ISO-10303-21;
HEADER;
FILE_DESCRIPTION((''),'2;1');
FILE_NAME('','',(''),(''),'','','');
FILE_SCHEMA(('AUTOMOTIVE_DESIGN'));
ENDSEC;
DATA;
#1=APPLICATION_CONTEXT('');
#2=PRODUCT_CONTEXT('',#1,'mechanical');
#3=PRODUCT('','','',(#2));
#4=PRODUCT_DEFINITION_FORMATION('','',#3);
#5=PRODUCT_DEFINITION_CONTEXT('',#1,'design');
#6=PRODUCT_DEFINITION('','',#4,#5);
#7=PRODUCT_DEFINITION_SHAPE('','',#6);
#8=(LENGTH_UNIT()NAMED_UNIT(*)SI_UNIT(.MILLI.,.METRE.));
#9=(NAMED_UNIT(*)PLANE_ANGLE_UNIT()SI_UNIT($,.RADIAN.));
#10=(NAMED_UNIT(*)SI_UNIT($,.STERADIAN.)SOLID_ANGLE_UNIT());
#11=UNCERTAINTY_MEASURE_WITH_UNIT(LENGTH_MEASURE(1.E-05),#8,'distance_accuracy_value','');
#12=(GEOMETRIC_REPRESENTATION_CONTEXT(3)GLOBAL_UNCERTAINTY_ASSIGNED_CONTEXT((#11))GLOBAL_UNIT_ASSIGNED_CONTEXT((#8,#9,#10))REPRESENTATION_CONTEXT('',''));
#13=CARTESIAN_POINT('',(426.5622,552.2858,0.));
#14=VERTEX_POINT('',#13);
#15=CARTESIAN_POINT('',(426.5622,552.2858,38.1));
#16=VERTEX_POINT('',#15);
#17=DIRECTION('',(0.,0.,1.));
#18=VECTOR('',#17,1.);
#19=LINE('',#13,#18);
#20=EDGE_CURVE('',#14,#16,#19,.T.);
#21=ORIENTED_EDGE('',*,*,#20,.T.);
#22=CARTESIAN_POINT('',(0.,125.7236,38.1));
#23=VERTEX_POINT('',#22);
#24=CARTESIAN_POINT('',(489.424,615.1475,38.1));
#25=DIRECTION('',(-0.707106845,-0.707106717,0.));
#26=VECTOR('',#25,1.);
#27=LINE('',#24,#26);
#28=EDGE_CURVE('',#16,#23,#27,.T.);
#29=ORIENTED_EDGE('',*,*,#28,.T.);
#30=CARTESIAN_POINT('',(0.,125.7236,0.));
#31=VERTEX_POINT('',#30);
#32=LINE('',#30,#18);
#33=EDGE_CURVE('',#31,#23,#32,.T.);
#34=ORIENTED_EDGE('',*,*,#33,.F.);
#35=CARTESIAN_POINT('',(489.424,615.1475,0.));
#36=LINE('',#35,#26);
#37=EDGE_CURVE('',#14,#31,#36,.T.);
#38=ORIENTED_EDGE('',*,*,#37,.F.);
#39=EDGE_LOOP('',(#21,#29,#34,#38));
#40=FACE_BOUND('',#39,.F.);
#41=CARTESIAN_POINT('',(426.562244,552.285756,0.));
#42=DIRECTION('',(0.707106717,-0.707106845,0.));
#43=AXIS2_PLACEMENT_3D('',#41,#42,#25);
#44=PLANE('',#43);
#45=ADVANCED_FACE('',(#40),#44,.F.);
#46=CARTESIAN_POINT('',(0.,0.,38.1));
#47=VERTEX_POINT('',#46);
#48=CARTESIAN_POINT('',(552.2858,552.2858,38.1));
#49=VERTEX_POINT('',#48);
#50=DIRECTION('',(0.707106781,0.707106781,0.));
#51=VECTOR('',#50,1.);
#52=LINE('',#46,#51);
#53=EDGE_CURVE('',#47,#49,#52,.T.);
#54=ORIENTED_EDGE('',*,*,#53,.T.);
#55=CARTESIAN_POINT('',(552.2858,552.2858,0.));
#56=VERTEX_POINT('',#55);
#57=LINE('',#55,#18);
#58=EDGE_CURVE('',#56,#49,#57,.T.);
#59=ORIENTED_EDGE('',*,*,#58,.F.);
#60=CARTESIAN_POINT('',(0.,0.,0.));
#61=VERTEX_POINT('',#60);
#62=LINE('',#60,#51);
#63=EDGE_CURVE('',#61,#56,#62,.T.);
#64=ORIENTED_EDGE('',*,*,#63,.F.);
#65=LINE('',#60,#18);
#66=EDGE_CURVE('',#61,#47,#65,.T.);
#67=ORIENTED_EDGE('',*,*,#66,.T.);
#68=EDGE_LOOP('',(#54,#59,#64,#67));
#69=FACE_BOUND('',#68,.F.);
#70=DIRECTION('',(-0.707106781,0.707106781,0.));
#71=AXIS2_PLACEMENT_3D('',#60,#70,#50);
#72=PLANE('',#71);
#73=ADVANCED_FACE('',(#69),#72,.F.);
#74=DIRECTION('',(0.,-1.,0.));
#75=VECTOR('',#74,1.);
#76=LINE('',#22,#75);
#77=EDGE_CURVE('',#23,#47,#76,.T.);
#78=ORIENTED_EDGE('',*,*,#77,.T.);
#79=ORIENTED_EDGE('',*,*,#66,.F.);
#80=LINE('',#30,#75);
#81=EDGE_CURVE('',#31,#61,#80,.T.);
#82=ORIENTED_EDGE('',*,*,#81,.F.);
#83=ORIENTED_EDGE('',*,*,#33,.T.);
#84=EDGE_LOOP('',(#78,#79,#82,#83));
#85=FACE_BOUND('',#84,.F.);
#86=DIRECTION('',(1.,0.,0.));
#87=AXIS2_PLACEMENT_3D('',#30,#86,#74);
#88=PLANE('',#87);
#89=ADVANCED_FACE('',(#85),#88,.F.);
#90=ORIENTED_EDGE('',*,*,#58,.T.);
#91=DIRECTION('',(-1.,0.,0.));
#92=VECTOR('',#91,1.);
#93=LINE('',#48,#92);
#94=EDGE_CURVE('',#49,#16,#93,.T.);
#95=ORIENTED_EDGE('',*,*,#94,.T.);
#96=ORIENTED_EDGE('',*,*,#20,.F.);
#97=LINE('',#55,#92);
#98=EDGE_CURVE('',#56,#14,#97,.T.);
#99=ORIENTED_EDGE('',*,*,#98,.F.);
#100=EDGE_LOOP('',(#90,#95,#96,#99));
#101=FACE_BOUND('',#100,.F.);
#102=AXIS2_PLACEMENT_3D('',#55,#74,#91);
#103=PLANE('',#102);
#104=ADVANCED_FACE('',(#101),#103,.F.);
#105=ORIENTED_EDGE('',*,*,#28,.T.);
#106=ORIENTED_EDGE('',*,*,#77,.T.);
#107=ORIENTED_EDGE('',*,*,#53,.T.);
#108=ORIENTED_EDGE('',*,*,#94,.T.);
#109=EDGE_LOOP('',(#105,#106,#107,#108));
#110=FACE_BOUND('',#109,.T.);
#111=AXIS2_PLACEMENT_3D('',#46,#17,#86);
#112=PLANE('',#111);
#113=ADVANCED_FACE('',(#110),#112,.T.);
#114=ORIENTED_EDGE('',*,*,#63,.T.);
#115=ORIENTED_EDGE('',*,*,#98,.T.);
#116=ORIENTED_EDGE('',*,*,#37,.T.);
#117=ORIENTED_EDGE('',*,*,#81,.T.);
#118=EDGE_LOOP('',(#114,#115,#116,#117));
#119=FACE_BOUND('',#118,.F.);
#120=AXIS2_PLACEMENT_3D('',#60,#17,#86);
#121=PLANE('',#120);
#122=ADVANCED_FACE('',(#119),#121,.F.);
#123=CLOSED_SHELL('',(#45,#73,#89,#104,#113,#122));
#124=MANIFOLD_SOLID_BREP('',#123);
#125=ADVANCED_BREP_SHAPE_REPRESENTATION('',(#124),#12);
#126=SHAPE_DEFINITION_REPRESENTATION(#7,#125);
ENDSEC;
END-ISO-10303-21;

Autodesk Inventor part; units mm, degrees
ref_plane "YZ Plane" through (0, 0, 0) normal (1, 0, 0) x (0, 1, 0)
ref_plane "XZ Plane" through (0, 0, 0) normal (0, 1, 0) x (-1, 0, 0)
ref_plane "XY Plane" through (0, 0, 0) normal (0, 0, 1) x (1, 0, 0)
sketch "Sketch1" plane through (0, 0, 0) normal (0, 0, 1) x (1, 0, 0)
  line L0 (0, 0) -> (552.2858, 552.2858)
  line L1 (0, 0) -> (781.05, 0) construction
  line L2 (552.2858, 552.2858) -> (489.424, 615.1475)
  line L3 (489.424, 615.1475) -> (-62.8618, 62.8618)
  line L4 (-62.8618, 62.8618) -> (0, 0)
  line L5 (0, 125.7236) -> (0, 0)
  line L6 (552.2858, 552.2858) -> (426.5622, 552.2858)
  dimension "d8" = 781.05
  dimension "d9" = 45
  dimension "d10" = 88.9
  dimension "d11" = 90
extrude "Extrusion1" add sketch "Sketch1" along normal blind 38.1 contours L5 L3 L6 L0
properties part number "Back Angle Piece" material "Wood"
